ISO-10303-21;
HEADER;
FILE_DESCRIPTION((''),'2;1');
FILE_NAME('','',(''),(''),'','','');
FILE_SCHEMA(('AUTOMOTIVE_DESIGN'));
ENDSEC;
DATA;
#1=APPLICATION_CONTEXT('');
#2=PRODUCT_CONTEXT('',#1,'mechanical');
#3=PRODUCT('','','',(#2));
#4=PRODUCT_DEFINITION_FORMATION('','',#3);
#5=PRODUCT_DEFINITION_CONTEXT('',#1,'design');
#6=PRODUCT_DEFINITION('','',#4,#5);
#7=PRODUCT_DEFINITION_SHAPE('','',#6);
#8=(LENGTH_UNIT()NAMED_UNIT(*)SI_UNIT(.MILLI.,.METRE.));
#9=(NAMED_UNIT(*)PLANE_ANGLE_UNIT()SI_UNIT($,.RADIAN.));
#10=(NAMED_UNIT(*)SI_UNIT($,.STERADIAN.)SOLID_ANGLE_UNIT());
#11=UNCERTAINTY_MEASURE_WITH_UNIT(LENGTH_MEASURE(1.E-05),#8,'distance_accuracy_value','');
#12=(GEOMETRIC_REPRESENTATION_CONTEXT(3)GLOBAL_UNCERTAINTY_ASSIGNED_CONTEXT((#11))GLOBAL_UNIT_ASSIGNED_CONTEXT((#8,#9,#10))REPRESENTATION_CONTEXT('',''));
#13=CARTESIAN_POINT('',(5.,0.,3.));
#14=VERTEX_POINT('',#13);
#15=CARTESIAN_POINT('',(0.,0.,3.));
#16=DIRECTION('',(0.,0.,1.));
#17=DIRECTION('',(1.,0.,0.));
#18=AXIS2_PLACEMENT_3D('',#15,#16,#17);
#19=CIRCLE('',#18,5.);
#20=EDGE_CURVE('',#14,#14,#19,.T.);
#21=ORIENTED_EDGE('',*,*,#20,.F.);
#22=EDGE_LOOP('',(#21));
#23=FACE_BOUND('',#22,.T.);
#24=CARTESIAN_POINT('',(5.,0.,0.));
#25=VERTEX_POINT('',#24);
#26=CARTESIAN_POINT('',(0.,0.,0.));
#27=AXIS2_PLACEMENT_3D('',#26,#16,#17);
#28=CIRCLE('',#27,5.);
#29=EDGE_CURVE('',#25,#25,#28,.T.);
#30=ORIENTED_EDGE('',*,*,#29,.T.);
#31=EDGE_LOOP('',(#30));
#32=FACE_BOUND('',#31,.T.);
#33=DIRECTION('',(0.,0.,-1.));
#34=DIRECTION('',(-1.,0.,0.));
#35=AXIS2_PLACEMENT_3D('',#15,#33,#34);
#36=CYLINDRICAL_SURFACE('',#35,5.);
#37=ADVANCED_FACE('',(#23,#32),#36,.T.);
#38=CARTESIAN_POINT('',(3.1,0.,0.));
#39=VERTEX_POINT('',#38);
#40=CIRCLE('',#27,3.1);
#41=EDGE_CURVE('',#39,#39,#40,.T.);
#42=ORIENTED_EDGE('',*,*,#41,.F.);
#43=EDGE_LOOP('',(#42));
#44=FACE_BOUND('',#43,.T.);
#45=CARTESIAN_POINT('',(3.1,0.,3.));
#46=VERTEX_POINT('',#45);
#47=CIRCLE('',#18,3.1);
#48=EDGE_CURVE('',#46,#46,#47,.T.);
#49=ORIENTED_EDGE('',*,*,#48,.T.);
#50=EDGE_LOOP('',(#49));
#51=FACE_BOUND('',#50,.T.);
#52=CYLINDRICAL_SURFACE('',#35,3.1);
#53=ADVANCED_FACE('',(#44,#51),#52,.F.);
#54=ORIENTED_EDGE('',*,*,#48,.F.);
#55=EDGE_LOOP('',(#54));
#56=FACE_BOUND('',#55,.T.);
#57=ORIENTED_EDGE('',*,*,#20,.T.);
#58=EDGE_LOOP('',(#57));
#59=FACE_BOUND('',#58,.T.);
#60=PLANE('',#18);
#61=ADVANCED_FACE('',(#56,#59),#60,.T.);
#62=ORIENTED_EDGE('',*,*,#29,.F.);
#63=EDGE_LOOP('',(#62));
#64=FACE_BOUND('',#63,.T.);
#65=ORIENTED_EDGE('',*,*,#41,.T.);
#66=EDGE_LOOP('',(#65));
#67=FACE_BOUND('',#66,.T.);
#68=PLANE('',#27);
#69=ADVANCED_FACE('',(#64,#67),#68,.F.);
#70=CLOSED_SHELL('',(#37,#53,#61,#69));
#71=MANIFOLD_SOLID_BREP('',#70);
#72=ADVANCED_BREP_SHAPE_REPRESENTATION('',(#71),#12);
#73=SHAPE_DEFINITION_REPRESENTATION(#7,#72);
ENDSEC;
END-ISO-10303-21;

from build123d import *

# Parameters (mm, degrees)
SKETCH_1_R      = 5
SKETCH_1_R_2    = 3.1
EXTRUDE_3_DEPTH = 3


with BuildPart() as part:
    # ｽｹｯﾁ1 → ﾎﾞｽ - 押し出し3 (new body)
    with BuildSketch(Plane.XY):
        Circle(SKETCH_1_R)
        Circle(SKETCH_1_R_2, mode=Mode.SUBTRACT)
    extrude(amount=EXTRUDE_3_DEPTH)


solid = part.part
